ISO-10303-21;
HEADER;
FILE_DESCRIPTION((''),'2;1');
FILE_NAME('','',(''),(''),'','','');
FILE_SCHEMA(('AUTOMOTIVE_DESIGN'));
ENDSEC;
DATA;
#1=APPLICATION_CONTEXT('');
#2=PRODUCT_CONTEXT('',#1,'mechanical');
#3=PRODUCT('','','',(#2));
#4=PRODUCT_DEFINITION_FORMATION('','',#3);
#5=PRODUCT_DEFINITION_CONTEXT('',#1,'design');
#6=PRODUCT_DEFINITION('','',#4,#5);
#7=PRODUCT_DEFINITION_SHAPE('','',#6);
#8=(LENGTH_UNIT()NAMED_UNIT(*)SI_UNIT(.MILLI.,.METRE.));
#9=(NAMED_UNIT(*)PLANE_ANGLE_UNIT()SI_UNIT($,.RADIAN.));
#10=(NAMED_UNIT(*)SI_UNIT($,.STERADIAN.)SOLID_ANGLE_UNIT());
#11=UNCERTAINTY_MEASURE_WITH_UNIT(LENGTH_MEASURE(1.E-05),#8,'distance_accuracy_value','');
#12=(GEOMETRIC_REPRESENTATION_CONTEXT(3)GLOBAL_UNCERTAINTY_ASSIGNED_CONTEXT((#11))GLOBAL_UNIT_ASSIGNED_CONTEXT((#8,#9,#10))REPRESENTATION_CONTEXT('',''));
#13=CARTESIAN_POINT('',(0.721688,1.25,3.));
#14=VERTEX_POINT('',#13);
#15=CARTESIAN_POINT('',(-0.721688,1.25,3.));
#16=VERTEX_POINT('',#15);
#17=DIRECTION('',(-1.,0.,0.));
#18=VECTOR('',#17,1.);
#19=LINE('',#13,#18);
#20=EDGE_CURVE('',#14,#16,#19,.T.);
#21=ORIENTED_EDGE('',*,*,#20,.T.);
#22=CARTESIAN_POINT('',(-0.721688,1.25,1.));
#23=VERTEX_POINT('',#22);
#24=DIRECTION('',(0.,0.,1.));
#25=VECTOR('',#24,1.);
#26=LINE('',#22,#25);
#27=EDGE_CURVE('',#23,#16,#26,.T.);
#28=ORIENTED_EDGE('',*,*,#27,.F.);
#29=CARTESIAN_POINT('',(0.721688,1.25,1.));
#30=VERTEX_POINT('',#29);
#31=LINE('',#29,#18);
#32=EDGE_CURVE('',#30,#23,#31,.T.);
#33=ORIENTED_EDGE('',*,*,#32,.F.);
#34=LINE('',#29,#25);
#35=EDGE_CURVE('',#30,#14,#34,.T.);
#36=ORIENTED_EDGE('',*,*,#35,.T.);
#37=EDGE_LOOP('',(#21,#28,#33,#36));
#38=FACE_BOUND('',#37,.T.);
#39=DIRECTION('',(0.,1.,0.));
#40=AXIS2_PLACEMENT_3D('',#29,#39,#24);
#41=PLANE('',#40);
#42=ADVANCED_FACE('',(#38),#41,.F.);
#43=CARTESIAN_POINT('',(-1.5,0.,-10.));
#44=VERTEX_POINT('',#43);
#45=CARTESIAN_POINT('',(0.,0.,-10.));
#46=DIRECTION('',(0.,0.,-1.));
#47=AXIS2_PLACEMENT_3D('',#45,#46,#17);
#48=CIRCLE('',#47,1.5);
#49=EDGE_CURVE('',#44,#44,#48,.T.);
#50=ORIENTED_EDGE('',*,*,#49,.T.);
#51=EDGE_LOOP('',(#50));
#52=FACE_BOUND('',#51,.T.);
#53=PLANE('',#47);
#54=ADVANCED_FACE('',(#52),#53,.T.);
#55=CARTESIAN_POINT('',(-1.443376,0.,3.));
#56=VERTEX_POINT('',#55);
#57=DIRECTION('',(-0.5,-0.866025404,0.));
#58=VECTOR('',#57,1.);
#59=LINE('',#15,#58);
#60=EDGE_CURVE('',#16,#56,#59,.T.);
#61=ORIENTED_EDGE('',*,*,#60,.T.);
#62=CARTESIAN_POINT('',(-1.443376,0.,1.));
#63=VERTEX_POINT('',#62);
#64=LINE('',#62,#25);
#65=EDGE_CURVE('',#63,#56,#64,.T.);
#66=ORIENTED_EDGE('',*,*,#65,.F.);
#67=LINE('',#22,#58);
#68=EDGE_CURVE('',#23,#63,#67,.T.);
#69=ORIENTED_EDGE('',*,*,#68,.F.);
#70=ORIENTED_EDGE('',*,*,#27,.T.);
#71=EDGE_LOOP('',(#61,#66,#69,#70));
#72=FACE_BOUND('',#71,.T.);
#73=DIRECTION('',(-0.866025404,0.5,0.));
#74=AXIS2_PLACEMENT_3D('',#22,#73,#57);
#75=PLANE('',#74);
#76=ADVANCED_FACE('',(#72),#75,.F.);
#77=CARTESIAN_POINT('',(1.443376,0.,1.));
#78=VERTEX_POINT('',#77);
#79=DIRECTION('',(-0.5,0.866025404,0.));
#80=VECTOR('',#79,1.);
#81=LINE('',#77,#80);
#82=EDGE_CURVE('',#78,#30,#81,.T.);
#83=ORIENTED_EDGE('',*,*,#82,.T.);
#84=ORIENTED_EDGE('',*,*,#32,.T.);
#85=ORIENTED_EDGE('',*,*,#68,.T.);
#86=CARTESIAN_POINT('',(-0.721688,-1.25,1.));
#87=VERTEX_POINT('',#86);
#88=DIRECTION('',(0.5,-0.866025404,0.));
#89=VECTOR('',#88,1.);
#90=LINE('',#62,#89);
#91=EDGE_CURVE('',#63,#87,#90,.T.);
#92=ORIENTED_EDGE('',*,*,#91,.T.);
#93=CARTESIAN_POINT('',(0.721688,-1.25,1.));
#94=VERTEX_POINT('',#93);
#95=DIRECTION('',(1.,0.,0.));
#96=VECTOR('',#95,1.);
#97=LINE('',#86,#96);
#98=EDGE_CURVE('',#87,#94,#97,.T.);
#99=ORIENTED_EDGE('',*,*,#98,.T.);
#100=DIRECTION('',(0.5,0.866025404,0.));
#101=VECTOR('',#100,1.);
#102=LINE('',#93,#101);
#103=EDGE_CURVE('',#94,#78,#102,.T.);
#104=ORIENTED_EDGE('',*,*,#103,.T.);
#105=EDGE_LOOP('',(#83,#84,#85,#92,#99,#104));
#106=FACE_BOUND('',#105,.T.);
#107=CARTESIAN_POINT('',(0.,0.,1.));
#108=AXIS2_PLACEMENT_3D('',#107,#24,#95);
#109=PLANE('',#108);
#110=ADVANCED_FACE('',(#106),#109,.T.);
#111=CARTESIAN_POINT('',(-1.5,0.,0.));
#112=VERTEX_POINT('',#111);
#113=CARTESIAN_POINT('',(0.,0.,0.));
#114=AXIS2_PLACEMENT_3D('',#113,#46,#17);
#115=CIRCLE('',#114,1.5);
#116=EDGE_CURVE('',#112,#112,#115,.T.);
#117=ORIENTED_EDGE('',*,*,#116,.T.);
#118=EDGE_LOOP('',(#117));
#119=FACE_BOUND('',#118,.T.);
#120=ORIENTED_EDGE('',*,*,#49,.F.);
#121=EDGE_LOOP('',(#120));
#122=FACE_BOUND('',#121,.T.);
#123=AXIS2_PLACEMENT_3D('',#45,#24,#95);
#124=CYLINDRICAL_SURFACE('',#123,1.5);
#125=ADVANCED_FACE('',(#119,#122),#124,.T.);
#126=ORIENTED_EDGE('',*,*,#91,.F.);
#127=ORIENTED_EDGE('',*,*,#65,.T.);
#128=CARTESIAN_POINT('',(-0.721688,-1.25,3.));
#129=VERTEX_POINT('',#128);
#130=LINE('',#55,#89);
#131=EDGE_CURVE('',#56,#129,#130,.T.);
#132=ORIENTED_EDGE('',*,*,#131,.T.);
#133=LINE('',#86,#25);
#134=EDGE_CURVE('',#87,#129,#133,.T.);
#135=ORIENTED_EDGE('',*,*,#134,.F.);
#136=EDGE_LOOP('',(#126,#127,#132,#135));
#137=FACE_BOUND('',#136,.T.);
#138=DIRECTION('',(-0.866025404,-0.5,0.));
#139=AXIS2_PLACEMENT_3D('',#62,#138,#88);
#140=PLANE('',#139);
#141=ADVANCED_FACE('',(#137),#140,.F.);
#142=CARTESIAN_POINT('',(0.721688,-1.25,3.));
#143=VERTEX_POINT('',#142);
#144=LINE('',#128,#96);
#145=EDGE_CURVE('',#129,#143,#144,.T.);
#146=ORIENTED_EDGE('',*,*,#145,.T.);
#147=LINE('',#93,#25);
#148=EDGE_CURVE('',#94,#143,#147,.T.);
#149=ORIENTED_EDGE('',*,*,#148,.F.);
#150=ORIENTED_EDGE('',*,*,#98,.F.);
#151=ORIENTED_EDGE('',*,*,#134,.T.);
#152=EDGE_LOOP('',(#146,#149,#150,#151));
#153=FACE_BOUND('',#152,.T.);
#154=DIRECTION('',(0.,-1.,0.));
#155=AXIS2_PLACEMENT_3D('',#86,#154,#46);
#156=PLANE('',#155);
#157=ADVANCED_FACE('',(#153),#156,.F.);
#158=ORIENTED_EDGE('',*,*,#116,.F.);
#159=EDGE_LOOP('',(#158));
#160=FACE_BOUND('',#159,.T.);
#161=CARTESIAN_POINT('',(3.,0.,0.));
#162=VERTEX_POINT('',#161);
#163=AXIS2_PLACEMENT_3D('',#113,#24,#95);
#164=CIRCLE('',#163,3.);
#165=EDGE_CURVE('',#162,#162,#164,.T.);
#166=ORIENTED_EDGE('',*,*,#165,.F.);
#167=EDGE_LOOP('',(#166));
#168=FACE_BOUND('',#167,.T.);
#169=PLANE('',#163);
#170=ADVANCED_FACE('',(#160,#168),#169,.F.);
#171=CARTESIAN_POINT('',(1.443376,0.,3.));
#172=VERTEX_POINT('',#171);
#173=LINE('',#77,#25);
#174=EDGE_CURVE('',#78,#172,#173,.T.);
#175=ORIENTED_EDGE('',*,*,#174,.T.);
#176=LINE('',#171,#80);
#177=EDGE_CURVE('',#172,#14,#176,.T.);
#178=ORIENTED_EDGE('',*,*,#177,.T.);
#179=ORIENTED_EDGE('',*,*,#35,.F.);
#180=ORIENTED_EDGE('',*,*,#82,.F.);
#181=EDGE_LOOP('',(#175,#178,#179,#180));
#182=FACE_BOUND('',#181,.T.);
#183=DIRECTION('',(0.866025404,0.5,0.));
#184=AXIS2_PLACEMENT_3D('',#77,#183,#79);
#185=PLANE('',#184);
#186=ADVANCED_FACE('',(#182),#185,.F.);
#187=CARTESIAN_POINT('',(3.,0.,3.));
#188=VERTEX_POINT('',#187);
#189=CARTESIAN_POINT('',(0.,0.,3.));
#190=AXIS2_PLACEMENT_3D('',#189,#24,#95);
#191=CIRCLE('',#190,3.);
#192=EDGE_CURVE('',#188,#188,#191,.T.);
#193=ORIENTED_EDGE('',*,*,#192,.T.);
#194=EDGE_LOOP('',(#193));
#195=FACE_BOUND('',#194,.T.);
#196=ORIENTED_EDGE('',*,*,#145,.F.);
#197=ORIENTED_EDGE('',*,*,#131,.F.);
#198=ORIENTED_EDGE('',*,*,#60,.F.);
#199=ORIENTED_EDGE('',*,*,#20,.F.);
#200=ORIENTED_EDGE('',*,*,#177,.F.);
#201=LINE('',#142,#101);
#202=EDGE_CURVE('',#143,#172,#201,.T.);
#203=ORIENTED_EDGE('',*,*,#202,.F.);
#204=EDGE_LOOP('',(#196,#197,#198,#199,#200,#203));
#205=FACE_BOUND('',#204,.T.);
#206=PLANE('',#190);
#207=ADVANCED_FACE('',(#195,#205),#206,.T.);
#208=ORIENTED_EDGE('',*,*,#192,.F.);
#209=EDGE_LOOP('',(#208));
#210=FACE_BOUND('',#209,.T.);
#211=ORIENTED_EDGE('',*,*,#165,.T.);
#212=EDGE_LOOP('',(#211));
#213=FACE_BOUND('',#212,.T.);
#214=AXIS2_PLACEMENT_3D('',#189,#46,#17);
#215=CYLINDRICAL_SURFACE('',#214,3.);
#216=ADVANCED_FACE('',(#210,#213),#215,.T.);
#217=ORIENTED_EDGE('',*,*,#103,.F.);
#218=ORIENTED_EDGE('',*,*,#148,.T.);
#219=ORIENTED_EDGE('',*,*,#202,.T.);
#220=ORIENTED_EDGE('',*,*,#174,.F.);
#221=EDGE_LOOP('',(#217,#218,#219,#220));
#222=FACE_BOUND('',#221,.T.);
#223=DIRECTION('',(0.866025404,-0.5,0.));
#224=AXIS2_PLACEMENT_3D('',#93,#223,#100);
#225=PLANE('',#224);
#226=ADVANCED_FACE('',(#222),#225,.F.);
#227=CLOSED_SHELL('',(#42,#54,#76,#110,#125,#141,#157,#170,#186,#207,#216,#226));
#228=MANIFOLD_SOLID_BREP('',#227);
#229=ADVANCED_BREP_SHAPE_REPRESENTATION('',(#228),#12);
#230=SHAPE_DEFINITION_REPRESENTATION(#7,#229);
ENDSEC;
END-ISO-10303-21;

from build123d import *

# Parameters (mm, degrees)
SKETCH_5_R          = 3
EXTRUDE_1_DEPTH     = 3
CUT_EXTRUDE_1_DEPTH = 2
SKETCH_7_R          = 1.5
EXTRUDE_2_DEPTH     = 10


with BuildPart() as part:
    # ｽｹｯﾁ5 → ﾎﾞｽ - 押し出し1 (new body)
    with BuildSketch(Plane.XY):
        Circle(SKETCH_5_R)
    extrude(amount=EXTRUDE_1_DEPTH)

    # ｽｹｯﾁ6 → ｶｯﾄ - 押し出し1 (cut)
    with BuildSketch(Plane.XY.offset(3)):
        Polygon((1.443375673, 0), (0.721687836, 1.25), (-0.721687836, 1.25), (-1.443375673, 0), (-0.721687836, -1.25), (0.721687836, -1.25), align=None)
    extrude(amount=-CUT_EXTRUDE_1_DEPTH, mode=Mode.SUBTRACT)

    # ｽｹｯﾁ7 → ﾎﾞｽ - 押し出し2 (add)
    with BuildSketch(Plane(origin=(0, 0, 0), x_dir=(-1, 0, 0), z_dir=(0, 0, -1))):
        Circle(SKETCH_7_R)
    extrude(amount=EXTRUDE_2_DEPTH)


solid = part.part
